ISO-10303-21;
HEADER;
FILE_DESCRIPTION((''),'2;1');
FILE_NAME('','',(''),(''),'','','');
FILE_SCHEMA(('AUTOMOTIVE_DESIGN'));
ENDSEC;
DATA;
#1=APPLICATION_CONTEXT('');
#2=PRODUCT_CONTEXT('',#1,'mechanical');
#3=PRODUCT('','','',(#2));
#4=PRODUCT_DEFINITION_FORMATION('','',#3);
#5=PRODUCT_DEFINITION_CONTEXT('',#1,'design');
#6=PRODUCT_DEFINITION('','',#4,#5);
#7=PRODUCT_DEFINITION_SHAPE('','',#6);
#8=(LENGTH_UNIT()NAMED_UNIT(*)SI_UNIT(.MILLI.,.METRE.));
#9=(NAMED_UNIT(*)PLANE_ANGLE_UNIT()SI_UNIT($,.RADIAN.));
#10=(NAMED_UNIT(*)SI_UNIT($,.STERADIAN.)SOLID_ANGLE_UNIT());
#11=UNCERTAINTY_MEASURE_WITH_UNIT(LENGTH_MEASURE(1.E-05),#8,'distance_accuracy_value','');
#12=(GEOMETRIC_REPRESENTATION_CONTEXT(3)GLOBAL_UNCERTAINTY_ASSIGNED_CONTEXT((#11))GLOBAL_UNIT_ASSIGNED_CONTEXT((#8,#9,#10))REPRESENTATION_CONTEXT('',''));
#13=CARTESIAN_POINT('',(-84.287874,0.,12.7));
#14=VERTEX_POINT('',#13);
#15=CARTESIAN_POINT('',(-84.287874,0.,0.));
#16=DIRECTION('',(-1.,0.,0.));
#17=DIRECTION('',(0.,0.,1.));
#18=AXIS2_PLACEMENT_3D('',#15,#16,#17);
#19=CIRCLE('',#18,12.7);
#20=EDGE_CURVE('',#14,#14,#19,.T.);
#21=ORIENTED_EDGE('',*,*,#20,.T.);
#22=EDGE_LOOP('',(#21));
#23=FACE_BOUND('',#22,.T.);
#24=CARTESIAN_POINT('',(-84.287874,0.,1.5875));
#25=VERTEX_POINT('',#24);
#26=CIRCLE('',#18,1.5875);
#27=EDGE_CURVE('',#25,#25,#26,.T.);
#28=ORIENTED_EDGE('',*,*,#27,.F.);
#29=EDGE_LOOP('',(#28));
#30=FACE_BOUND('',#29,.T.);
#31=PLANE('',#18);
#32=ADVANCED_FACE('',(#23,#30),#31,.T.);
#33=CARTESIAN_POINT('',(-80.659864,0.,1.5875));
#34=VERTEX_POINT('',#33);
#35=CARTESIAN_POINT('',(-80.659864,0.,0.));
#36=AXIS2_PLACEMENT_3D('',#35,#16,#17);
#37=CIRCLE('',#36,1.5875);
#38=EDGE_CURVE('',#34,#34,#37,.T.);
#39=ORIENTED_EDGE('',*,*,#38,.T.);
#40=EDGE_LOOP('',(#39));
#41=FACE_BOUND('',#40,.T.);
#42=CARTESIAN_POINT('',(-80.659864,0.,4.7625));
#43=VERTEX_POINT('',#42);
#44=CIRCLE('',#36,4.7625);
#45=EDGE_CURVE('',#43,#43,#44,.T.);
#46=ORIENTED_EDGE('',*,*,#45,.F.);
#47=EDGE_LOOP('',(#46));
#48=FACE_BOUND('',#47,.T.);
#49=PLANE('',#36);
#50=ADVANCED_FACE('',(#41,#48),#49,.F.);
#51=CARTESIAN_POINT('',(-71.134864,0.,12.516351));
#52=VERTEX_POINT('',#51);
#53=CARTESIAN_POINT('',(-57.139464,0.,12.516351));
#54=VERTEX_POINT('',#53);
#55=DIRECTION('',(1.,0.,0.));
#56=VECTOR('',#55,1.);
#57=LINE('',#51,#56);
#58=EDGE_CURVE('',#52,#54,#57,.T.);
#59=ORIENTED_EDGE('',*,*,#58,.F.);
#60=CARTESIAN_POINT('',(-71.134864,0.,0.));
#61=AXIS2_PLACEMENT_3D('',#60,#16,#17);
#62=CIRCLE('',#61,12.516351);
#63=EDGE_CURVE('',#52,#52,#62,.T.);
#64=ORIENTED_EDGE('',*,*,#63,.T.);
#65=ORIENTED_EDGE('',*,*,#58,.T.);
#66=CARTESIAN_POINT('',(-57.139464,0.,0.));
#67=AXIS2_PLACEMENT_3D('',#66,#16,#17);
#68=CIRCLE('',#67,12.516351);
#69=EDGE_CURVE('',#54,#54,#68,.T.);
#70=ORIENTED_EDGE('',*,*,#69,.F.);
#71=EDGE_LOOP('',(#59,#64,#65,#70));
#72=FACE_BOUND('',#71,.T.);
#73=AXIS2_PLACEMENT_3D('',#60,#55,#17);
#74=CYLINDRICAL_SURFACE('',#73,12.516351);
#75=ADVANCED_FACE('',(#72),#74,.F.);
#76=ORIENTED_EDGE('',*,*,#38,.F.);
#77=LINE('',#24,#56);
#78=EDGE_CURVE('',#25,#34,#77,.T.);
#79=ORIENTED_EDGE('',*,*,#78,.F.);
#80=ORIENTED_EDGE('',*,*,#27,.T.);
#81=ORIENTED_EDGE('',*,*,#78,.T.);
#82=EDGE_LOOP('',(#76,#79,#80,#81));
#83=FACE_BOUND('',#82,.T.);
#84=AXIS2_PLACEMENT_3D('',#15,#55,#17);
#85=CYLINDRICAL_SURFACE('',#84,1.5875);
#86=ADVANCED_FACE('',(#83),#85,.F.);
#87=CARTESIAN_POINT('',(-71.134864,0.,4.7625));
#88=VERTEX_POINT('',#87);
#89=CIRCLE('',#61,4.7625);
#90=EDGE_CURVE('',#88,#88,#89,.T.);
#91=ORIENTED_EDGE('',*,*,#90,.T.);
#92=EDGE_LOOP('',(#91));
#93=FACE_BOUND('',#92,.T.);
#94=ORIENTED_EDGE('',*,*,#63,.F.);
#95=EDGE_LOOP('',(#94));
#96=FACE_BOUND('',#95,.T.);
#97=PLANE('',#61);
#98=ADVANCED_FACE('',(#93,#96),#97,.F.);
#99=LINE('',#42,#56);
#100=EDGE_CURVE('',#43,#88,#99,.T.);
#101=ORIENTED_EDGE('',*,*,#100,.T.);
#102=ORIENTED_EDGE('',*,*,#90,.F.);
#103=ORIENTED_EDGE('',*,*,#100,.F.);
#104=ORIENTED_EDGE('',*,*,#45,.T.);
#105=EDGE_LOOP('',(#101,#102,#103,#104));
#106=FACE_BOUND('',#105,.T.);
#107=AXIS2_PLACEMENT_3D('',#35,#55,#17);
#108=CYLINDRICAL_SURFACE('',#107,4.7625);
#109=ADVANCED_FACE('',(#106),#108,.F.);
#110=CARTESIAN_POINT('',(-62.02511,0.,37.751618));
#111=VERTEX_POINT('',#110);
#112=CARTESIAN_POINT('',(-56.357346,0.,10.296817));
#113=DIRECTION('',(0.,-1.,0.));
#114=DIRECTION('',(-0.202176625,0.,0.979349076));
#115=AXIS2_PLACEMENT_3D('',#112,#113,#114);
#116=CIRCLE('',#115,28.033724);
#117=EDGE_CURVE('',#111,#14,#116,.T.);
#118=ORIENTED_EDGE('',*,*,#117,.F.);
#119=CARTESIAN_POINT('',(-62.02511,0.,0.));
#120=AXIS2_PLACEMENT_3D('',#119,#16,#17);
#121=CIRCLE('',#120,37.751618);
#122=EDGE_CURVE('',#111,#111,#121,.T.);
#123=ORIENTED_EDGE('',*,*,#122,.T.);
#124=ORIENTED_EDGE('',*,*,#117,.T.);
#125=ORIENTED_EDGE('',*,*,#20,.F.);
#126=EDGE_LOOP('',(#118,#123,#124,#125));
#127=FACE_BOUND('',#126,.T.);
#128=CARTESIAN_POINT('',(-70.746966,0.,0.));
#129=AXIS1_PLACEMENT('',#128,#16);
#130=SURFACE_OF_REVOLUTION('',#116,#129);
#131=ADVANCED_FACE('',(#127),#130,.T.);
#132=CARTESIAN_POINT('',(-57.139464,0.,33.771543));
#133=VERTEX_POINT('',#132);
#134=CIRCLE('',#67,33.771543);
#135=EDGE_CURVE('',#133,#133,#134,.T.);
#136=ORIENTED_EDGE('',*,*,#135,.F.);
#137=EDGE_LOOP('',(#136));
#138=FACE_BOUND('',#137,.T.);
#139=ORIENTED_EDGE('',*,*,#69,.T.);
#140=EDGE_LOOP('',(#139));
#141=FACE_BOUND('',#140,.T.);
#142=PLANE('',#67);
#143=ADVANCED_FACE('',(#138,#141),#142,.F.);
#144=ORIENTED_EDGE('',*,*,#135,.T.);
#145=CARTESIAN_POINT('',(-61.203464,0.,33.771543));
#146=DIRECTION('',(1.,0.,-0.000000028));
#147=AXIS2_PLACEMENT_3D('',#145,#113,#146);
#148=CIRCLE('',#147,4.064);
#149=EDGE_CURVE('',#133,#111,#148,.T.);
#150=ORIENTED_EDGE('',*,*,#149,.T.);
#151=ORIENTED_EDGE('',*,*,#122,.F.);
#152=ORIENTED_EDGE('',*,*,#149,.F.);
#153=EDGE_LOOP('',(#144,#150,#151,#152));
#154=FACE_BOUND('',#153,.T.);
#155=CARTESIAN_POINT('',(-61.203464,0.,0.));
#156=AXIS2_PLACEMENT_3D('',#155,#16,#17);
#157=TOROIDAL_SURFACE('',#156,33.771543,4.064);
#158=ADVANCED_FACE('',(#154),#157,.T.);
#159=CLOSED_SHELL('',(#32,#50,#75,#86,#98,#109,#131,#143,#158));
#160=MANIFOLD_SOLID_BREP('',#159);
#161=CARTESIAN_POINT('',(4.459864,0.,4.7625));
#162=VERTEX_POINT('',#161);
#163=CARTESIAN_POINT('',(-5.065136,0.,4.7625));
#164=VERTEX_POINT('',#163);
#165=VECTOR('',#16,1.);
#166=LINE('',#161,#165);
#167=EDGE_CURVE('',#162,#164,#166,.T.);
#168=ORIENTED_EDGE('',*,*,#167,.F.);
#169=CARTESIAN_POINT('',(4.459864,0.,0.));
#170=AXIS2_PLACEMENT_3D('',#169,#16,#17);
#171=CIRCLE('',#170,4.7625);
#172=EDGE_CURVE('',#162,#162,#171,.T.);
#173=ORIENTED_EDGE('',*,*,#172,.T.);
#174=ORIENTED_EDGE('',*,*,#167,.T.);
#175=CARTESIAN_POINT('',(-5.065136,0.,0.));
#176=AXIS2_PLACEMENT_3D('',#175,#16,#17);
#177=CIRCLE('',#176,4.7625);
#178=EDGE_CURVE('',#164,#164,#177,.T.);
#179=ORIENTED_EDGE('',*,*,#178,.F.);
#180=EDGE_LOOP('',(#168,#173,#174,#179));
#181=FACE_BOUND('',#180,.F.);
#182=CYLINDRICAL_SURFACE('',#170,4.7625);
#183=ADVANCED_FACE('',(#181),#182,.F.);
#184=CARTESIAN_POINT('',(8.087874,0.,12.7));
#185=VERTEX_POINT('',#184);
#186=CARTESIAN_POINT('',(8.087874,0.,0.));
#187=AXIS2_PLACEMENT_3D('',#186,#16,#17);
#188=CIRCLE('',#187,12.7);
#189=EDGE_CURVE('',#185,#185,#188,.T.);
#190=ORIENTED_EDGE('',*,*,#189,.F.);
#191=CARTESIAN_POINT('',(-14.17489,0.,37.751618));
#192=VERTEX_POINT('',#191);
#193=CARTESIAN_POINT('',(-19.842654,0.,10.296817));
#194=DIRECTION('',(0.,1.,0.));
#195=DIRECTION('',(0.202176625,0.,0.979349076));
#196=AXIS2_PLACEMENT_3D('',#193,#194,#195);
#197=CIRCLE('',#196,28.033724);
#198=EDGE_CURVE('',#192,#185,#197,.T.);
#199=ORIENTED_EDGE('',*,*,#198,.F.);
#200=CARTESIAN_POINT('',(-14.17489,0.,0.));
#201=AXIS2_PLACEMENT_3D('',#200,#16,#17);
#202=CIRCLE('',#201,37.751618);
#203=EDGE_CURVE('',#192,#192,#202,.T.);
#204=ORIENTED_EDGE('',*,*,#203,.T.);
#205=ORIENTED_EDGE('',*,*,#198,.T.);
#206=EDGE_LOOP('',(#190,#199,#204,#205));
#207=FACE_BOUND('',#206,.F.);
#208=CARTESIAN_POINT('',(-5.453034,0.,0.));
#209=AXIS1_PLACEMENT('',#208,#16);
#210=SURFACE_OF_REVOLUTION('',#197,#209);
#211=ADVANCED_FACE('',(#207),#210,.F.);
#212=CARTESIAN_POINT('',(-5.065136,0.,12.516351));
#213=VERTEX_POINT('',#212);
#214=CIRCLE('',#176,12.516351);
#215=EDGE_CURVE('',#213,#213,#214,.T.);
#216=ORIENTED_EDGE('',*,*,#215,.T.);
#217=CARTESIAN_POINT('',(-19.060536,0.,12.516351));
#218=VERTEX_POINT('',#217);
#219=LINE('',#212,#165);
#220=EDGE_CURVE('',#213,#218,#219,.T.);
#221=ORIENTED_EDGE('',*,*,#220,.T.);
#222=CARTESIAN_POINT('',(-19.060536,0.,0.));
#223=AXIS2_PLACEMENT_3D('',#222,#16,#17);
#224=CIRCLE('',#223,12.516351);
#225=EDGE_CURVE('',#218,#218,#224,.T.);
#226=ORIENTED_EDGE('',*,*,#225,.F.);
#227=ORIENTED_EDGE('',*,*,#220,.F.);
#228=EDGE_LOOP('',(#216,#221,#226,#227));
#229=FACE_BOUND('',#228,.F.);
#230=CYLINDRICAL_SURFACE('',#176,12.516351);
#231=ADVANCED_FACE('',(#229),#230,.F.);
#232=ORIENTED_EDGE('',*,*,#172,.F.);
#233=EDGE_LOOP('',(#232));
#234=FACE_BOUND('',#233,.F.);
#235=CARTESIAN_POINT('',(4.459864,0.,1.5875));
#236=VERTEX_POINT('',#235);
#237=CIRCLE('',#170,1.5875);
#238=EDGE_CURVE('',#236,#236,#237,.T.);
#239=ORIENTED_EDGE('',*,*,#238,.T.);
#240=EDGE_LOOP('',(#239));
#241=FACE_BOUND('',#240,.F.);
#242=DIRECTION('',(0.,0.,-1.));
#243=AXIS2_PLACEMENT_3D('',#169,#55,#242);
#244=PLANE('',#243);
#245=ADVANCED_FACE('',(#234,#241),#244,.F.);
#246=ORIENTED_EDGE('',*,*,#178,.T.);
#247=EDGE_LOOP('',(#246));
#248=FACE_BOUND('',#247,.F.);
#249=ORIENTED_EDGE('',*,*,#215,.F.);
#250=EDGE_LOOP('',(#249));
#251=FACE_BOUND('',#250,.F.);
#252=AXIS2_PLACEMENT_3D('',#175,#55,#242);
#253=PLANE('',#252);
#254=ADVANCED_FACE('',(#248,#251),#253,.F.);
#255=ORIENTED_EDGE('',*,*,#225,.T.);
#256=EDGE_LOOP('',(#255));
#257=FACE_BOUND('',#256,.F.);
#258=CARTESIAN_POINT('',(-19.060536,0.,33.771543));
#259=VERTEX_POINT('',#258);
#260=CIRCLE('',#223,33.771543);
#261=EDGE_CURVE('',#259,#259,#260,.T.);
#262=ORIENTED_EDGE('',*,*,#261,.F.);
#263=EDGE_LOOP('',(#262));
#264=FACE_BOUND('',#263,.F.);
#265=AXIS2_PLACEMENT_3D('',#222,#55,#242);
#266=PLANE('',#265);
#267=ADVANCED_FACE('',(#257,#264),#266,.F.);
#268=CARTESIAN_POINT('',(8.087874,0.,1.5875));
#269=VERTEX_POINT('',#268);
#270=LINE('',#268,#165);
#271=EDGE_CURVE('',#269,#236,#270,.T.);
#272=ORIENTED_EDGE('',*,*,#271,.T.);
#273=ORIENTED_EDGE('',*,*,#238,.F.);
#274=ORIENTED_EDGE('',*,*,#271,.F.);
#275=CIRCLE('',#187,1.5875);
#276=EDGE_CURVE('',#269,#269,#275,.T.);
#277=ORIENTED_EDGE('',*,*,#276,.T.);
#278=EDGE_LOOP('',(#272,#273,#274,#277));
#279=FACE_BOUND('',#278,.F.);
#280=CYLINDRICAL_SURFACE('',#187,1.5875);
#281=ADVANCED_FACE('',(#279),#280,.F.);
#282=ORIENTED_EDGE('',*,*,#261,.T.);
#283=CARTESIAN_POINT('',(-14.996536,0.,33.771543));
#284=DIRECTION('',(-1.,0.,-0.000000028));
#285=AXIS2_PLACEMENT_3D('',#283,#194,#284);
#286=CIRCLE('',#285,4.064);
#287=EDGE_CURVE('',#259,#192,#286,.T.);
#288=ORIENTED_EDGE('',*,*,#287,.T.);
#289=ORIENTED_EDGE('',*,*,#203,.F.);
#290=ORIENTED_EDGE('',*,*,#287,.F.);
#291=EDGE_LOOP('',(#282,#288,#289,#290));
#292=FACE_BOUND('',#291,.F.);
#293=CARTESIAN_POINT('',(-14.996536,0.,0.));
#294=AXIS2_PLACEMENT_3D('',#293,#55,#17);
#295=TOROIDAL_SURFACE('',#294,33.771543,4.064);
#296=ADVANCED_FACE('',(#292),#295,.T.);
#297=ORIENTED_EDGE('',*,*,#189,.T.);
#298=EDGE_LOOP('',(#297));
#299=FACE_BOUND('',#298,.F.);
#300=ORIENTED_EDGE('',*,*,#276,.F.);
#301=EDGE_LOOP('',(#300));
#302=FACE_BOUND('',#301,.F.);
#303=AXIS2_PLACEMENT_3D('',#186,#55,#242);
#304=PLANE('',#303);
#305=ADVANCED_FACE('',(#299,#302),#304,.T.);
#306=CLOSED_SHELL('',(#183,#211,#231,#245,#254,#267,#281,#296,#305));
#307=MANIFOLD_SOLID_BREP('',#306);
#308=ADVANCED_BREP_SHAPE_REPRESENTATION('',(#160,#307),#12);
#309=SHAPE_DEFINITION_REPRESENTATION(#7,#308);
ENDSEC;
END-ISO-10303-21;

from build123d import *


with BuildPart() as f2:
    # F0 (on Front) → F2 (revolve)
    with BuildSketch(Plane.XZ):
        with BuildLine():
            Line((-80.659864, 1.5875), (-80.659864, 4.7625))
            Line((-80.659864, 4.7625), (-71.134864, 4.7625))
            Line((-71.134864, 4.7625), (-71.134864, 12.516351))
            Line((-71.134864, 12.516351), (-57.139464, 12.516351))
            Line((-57.139464, 12.516351), (-57.139464, 33.771543))
            ThreePointArc((-57.139464, 33.771543), (-58.636664, 36.922358), (-62.02511, 37.751618))
            ThreePointArc((-62.02511, 37.751618), (-77.312231, 28.918913), (-84.287874, 12.7))
            Line((-84.287874, 12.7), (-84.287874, 1.5875))
            Line((-84.287874, 1.5875), (-80.659864, 1.5875))
        make_face()
    revolve(axis=Axis((-70.746966, 0, 0), (-1, 0, 0)))


with BuildPart() as f3_1:
    # F3: instance of F2
    add(f2.part.mirror(Plane.YZ.offset(-38.1)))


solid = Compound([f2.part, f3_1.part])
